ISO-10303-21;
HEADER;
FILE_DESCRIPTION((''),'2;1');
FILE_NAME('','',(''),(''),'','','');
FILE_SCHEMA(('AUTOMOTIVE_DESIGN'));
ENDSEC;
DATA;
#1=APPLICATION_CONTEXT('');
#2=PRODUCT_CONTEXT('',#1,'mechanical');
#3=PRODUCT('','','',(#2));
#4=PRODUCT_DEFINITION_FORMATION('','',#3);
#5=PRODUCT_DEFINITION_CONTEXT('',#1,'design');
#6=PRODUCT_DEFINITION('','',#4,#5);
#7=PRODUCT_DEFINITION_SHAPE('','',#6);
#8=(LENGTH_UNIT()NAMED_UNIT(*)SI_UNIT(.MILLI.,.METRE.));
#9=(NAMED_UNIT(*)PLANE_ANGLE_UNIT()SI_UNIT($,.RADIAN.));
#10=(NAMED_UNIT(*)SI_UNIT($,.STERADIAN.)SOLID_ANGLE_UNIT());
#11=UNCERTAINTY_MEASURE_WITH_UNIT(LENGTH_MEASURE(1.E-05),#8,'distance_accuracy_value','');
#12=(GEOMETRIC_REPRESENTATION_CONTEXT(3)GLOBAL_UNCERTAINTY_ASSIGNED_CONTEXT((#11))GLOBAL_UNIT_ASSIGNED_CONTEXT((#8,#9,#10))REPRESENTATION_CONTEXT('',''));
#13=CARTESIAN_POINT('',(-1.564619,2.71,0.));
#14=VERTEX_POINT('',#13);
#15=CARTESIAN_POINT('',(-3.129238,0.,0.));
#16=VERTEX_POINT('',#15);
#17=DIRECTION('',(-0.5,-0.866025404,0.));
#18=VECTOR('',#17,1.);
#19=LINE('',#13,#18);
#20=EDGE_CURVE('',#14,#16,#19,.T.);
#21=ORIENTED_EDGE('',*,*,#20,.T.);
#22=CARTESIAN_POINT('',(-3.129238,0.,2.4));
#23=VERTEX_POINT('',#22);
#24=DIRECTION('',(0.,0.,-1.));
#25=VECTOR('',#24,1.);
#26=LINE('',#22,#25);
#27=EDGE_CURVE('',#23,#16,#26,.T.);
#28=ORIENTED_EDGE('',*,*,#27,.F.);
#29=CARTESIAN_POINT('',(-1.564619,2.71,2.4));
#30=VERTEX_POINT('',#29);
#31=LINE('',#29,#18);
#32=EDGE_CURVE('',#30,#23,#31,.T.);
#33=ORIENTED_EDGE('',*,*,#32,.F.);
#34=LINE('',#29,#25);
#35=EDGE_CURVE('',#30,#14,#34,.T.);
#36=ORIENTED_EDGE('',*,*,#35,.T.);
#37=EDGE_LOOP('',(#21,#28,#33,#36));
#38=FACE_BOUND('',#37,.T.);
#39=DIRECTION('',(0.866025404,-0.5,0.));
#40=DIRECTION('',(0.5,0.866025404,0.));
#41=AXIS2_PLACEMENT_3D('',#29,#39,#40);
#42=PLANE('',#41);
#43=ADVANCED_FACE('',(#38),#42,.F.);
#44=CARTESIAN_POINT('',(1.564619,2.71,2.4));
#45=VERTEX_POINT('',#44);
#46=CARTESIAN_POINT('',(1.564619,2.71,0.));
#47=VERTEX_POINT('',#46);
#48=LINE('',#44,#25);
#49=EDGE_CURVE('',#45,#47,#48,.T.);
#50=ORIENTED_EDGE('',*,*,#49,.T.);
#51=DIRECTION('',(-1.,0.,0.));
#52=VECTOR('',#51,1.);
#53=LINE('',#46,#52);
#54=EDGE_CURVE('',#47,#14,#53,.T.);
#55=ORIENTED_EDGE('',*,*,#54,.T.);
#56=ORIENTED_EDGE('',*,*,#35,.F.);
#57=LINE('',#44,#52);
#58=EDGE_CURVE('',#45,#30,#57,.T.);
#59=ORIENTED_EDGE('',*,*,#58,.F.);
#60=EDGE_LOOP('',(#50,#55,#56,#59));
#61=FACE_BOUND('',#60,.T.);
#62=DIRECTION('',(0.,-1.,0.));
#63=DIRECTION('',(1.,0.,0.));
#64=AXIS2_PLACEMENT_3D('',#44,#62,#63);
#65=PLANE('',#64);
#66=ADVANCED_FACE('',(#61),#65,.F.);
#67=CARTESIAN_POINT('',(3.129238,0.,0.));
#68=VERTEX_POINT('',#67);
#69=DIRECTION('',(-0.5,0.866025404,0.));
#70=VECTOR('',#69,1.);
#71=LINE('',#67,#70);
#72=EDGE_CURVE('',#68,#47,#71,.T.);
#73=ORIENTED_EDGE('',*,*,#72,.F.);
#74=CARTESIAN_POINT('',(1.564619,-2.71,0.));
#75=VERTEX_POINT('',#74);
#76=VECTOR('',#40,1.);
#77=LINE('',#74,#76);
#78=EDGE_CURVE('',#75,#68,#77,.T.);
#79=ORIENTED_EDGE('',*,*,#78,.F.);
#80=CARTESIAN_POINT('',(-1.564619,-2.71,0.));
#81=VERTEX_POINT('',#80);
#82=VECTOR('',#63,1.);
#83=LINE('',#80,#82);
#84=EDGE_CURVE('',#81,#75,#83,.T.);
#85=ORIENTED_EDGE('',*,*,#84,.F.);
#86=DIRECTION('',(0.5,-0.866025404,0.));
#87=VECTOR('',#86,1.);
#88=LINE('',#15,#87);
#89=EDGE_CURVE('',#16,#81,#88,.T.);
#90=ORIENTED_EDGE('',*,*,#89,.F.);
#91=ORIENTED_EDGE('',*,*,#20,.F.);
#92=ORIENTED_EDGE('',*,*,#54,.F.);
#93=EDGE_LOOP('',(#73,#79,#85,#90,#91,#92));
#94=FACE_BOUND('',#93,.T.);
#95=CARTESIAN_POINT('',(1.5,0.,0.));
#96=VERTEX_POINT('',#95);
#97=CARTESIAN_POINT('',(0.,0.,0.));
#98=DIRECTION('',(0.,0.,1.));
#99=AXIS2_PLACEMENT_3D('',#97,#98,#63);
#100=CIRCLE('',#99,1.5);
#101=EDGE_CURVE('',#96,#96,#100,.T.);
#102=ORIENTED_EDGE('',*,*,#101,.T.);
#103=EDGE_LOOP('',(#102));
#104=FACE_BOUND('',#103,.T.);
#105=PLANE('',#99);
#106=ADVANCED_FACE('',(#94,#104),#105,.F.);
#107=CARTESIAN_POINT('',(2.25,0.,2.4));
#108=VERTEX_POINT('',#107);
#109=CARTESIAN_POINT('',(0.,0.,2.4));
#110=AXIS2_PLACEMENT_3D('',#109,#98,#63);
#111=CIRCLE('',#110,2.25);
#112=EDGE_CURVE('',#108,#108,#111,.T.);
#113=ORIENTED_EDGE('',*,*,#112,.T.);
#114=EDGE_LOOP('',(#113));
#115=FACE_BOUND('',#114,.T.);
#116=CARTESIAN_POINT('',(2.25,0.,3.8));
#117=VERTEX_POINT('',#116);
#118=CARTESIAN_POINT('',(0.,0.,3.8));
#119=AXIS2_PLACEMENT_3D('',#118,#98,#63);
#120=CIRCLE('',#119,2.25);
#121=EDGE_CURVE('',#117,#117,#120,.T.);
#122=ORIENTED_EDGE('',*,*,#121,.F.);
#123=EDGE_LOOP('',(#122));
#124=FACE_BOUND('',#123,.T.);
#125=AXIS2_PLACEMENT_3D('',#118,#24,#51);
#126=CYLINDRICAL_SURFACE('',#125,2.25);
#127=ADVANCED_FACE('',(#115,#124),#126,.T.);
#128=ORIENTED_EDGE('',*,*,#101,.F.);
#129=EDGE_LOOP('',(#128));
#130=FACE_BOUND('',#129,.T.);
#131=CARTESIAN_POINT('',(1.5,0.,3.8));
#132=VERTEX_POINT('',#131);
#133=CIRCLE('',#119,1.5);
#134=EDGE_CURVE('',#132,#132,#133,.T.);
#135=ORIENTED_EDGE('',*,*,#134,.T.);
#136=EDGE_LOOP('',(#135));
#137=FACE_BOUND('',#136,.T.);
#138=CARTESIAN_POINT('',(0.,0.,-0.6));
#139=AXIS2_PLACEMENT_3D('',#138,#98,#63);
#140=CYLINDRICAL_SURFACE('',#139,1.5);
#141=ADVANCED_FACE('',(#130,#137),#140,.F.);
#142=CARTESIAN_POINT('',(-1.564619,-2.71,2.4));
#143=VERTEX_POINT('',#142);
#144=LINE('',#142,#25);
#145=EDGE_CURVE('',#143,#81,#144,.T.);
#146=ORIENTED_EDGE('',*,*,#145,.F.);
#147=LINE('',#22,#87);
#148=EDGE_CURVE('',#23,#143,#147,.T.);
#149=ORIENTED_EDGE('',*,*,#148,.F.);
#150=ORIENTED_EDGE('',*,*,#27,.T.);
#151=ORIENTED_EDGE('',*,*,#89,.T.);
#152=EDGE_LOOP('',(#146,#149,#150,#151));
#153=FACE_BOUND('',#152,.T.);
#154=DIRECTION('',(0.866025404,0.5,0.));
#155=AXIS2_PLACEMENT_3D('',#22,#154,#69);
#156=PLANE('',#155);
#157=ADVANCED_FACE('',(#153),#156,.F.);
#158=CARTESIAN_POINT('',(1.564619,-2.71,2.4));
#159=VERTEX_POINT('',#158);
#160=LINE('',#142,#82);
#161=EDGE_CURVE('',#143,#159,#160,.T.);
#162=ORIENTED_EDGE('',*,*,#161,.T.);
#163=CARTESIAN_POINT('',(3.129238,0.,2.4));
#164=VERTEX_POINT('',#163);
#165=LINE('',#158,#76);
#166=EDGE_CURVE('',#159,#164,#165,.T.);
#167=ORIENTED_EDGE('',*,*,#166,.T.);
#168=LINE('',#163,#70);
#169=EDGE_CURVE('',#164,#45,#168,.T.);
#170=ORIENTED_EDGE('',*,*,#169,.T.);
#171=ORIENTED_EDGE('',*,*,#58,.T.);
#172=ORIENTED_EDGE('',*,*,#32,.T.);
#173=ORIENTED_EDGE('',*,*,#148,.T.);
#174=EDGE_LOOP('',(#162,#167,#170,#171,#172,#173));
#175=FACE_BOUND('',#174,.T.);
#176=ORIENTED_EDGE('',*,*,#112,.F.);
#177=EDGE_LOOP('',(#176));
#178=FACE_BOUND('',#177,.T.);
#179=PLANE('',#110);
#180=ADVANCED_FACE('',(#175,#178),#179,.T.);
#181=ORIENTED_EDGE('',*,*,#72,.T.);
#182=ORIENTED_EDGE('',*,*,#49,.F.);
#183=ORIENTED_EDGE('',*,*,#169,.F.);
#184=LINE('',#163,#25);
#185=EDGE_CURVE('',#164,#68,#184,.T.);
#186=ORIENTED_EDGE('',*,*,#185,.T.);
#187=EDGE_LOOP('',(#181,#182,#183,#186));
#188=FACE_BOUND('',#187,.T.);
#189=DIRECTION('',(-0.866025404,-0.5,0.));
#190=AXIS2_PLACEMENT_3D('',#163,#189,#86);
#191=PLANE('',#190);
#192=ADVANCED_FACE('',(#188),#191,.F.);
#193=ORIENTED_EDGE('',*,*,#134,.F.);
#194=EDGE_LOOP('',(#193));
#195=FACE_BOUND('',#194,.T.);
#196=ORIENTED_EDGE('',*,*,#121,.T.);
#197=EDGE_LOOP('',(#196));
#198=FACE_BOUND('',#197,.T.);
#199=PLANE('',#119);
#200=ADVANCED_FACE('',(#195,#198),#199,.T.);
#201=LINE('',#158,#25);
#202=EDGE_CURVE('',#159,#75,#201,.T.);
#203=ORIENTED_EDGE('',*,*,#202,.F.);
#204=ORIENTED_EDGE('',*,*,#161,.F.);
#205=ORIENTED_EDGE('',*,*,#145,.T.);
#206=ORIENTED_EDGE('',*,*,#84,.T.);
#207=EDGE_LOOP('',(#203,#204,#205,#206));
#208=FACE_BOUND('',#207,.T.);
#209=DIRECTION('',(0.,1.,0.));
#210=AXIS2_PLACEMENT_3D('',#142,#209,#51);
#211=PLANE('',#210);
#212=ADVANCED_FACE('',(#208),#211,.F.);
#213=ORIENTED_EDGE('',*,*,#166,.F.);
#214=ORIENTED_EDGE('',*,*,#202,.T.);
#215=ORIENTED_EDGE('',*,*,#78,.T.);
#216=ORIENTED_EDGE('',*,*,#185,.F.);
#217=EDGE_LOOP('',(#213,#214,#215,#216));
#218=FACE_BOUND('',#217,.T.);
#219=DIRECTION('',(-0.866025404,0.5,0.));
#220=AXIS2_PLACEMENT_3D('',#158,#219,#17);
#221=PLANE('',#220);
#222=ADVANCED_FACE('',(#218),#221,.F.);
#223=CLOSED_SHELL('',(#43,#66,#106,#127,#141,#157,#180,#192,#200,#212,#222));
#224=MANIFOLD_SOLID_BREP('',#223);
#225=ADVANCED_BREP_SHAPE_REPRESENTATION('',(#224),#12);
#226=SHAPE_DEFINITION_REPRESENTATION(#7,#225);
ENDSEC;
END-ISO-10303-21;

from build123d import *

# Parameters (mm, degrees)
EXTRUDE_1_DEPTH     = 2.4
SKETCH_2_R          = 2.25
EXTRUDE_2_DEPTH     = 1.4
SKETCH_3_R          = 1.5
CUT_EXTRUDE_1_DEPTH = 4.4


with BuildPart() as part:
    # 草图1 → 凸台-拉伸1 (new body)
    with BuildSketch(Plane.XY):
        Polygon((3.129238459, 0), (1.56461923, 2.71), (-1.56461923, 2.71), (-3.129238459, 0), (-1.56461923, -2.71), (1.56461923, -2.71), align=None)
    extrude(amount=EXTRUDE_1_DEPTH)

    # 草图2 → 凸台-拉伸2 (add)
    with BuildSketch(Plane.XY.offset(2.4)):
        Circle(SKETCH_2_R)
    extrude(amount=EXTRUDE_2_DEPTH)

    # 草图3 → 切除-拉伸1 (cut)
    with BuildSketch(Plane.XY.offset(3.8)):
        Circle(SKETCH_3_R)
    extrude(amount=-CUT_EXTRUDE_1_DEPTH, mode=Mode.SUBTRACT)


solid = part.part
